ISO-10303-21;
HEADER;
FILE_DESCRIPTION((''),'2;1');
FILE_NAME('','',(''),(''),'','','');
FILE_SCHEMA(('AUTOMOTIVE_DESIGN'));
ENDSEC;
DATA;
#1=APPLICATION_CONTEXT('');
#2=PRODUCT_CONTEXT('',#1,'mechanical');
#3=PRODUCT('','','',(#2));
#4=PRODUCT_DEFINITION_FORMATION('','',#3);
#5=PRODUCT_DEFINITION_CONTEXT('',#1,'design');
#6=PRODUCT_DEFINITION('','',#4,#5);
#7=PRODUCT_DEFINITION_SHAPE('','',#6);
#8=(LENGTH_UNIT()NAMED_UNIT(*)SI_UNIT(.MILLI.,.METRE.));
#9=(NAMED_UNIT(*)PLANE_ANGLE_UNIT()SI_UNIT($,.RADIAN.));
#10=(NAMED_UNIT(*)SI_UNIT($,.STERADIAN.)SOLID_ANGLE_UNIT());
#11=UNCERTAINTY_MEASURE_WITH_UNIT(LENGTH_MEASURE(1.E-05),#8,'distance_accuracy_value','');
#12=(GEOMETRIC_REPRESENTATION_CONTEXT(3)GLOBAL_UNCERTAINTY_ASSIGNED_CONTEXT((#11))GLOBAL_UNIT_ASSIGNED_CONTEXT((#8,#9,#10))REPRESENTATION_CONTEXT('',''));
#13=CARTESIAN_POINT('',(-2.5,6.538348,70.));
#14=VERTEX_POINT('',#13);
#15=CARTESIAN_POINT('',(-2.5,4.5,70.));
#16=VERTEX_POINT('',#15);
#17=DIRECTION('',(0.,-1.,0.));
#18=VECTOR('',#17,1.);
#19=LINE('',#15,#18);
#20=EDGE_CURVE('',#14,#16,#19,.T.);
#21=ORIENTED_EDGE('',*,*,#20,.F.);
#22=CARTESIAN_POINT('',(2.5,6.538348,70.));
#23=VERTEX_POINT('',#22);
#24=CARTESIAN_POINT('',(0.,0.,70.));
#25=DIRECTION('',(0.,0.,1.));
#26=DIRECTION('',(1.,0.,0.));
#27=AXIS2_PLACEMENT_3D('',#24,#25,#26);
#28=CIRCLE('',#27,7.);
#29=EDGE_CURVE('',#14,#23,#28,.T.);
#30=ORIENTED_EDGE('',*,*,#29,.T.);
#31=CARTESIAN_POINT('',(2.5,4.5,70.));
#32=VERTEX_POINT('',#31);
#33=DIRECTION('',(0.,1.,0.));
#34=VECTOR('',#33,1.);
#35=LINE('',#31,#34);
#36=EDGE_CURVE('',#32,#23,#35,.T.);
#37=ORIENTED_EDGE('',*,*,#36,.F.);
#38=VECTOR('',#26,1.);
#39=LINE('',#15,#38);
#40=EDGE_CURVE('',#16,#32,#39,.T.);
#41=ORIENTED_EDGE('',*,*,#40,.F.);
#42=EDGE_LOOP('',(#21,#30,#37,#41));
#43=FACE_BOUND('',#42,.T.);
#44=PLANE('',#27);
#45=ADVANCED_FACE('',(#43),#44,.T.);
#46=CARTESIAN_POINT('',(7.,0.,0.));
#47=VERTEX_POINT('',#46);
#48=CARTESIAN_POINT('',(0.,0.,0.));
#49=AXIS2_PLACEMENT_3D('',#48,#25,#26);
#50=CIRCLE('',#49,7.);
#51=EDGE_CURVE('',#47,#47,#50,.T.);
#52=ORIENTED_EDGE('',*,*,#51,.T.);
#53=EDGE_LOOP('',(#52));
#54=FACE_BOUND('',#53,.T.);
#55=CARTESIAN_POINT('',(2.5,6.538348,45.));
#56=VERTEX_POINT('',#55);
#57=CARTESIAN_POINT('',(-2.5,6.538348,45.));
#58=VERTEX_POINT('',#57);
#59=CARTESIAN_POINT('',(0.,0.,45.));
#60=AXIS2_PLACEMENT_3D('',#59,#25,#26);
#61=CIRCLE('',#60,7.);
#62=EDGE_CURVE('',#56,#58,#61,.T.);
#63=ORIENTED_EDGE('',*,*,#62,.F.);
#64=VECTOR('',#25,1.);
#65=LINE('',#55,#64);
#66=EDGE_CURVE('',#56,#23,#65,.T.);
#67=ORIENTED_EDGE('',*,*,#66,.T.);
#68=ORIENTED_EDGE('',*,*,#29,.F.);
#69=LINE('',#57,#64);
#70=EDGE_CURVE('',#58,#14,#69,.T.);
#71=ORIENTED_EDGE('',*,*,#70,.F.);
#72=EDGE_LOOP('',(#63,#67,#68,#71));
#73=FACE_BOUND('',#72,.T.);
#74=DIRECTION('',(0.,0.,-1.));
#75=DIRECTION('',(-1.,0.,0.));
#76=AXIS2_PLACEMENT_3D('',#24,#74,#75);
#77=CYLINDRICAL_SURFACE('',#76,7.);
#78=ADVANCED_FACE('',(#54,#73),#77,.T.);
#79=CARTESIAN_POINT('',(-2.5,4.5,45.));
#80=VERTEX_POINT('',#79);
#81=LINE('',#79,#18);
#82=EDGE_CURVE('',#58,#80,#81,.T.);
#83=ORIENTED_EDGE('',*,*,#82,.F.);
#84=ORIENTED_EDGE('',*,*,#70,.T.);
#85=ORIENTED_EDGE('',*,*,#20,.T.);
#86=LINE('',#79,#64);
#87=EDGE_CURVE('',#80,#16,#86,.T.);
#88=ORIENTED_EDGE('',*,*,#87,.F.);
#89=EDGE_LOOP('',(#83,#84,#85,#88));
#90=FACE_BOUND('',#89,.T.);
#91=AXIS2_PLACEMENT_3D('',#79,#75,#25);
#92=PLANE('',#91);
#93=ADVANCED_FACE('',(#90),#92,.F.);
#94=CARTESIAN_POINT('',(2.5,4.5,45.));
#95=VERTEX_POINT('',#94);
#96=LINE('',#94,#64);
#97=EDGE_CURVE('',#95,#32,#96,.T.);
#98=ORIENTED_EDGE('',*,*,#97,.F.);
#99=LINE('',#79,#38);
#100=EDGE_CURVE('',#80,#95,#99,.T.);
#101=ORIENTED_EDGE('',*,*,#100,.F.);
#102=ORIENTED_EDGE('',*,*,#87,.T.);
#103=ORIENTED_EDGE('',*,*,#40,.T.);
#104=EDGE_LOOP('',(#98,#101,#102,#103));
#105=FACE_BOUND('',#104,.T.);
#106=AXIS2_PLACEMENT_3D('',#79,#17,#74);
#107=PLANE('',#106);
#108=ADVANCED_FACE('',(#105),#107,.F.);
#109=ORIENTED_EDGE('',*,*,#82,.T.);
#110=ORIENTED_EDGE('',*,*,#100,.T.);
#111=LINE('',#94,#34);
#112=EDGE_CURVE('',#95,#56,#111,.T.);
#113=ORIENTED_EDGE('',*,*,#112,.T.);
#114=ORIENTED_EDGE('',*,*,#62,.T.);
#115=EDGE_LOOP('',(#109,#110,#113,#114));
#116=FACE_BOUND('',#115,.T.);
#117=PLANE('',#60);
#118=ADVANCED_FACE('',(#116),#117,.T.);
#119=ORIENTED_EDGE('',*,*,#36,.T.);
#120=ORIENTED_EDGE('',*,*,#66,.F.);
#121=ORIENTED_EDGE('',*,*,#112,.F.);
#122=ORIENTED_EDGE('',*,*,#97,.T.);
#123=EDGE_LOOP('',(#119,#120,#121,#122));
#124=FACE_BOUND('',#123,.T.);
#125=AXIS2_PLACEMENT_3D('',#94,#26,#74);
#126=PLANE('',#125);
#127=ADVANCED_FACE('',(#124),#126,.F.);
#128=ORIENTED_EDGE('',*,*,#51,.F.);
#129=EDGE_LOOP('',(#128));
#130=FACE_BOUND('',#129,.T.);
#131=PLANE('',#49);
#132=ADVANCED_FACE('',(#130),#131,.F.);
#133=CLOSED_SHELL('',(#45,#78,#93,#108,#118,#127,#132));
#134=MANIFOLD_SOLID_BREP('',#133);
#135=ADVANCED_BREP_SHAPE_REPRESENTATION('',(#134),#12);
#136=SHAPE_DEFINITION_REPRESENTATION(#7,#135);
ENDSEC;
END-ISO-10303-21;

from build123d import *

# Parameters (mm, degrees)
SKETCH1_R           = 7
BOSS_EXTRUDE1_DEPTH = 70
CUT_EXTRUDE1_START  = -25
CUT_EXTRUDE1_DEPTH  = 25


with BuildPart() as part:
    # Sketch1 → Boss-Extrude1 (new body)
    with BuildSketch(Plane.XY):
        Circle(SKETCH1_R)
    extrude(amount=BOSS_EXTRUDE1_DEPTH)

    # Sketch2 → Cut-Extrude1 (cut)
    with BuildSketch(Plane.XY.offset(70).offset(CUT_EXTRUDE1_START)):
        with BuildLine():
            Line((-2.5, 4.5), (2.5, 4.5))
            Line((2.5, 4.5), (2.5, 6.538348415))
            ThreePointArc((2.5, 6.538348415), (0, 7), (-2.5, 6.538348415))
            Line((-2.5, 6.538348415), (-2.5, 4.5))
        make_face()
    extrude(amount=CUT_EXTRUDE1_DEPTH, mode=Mode.SUBTRACT)


solid = part.part
